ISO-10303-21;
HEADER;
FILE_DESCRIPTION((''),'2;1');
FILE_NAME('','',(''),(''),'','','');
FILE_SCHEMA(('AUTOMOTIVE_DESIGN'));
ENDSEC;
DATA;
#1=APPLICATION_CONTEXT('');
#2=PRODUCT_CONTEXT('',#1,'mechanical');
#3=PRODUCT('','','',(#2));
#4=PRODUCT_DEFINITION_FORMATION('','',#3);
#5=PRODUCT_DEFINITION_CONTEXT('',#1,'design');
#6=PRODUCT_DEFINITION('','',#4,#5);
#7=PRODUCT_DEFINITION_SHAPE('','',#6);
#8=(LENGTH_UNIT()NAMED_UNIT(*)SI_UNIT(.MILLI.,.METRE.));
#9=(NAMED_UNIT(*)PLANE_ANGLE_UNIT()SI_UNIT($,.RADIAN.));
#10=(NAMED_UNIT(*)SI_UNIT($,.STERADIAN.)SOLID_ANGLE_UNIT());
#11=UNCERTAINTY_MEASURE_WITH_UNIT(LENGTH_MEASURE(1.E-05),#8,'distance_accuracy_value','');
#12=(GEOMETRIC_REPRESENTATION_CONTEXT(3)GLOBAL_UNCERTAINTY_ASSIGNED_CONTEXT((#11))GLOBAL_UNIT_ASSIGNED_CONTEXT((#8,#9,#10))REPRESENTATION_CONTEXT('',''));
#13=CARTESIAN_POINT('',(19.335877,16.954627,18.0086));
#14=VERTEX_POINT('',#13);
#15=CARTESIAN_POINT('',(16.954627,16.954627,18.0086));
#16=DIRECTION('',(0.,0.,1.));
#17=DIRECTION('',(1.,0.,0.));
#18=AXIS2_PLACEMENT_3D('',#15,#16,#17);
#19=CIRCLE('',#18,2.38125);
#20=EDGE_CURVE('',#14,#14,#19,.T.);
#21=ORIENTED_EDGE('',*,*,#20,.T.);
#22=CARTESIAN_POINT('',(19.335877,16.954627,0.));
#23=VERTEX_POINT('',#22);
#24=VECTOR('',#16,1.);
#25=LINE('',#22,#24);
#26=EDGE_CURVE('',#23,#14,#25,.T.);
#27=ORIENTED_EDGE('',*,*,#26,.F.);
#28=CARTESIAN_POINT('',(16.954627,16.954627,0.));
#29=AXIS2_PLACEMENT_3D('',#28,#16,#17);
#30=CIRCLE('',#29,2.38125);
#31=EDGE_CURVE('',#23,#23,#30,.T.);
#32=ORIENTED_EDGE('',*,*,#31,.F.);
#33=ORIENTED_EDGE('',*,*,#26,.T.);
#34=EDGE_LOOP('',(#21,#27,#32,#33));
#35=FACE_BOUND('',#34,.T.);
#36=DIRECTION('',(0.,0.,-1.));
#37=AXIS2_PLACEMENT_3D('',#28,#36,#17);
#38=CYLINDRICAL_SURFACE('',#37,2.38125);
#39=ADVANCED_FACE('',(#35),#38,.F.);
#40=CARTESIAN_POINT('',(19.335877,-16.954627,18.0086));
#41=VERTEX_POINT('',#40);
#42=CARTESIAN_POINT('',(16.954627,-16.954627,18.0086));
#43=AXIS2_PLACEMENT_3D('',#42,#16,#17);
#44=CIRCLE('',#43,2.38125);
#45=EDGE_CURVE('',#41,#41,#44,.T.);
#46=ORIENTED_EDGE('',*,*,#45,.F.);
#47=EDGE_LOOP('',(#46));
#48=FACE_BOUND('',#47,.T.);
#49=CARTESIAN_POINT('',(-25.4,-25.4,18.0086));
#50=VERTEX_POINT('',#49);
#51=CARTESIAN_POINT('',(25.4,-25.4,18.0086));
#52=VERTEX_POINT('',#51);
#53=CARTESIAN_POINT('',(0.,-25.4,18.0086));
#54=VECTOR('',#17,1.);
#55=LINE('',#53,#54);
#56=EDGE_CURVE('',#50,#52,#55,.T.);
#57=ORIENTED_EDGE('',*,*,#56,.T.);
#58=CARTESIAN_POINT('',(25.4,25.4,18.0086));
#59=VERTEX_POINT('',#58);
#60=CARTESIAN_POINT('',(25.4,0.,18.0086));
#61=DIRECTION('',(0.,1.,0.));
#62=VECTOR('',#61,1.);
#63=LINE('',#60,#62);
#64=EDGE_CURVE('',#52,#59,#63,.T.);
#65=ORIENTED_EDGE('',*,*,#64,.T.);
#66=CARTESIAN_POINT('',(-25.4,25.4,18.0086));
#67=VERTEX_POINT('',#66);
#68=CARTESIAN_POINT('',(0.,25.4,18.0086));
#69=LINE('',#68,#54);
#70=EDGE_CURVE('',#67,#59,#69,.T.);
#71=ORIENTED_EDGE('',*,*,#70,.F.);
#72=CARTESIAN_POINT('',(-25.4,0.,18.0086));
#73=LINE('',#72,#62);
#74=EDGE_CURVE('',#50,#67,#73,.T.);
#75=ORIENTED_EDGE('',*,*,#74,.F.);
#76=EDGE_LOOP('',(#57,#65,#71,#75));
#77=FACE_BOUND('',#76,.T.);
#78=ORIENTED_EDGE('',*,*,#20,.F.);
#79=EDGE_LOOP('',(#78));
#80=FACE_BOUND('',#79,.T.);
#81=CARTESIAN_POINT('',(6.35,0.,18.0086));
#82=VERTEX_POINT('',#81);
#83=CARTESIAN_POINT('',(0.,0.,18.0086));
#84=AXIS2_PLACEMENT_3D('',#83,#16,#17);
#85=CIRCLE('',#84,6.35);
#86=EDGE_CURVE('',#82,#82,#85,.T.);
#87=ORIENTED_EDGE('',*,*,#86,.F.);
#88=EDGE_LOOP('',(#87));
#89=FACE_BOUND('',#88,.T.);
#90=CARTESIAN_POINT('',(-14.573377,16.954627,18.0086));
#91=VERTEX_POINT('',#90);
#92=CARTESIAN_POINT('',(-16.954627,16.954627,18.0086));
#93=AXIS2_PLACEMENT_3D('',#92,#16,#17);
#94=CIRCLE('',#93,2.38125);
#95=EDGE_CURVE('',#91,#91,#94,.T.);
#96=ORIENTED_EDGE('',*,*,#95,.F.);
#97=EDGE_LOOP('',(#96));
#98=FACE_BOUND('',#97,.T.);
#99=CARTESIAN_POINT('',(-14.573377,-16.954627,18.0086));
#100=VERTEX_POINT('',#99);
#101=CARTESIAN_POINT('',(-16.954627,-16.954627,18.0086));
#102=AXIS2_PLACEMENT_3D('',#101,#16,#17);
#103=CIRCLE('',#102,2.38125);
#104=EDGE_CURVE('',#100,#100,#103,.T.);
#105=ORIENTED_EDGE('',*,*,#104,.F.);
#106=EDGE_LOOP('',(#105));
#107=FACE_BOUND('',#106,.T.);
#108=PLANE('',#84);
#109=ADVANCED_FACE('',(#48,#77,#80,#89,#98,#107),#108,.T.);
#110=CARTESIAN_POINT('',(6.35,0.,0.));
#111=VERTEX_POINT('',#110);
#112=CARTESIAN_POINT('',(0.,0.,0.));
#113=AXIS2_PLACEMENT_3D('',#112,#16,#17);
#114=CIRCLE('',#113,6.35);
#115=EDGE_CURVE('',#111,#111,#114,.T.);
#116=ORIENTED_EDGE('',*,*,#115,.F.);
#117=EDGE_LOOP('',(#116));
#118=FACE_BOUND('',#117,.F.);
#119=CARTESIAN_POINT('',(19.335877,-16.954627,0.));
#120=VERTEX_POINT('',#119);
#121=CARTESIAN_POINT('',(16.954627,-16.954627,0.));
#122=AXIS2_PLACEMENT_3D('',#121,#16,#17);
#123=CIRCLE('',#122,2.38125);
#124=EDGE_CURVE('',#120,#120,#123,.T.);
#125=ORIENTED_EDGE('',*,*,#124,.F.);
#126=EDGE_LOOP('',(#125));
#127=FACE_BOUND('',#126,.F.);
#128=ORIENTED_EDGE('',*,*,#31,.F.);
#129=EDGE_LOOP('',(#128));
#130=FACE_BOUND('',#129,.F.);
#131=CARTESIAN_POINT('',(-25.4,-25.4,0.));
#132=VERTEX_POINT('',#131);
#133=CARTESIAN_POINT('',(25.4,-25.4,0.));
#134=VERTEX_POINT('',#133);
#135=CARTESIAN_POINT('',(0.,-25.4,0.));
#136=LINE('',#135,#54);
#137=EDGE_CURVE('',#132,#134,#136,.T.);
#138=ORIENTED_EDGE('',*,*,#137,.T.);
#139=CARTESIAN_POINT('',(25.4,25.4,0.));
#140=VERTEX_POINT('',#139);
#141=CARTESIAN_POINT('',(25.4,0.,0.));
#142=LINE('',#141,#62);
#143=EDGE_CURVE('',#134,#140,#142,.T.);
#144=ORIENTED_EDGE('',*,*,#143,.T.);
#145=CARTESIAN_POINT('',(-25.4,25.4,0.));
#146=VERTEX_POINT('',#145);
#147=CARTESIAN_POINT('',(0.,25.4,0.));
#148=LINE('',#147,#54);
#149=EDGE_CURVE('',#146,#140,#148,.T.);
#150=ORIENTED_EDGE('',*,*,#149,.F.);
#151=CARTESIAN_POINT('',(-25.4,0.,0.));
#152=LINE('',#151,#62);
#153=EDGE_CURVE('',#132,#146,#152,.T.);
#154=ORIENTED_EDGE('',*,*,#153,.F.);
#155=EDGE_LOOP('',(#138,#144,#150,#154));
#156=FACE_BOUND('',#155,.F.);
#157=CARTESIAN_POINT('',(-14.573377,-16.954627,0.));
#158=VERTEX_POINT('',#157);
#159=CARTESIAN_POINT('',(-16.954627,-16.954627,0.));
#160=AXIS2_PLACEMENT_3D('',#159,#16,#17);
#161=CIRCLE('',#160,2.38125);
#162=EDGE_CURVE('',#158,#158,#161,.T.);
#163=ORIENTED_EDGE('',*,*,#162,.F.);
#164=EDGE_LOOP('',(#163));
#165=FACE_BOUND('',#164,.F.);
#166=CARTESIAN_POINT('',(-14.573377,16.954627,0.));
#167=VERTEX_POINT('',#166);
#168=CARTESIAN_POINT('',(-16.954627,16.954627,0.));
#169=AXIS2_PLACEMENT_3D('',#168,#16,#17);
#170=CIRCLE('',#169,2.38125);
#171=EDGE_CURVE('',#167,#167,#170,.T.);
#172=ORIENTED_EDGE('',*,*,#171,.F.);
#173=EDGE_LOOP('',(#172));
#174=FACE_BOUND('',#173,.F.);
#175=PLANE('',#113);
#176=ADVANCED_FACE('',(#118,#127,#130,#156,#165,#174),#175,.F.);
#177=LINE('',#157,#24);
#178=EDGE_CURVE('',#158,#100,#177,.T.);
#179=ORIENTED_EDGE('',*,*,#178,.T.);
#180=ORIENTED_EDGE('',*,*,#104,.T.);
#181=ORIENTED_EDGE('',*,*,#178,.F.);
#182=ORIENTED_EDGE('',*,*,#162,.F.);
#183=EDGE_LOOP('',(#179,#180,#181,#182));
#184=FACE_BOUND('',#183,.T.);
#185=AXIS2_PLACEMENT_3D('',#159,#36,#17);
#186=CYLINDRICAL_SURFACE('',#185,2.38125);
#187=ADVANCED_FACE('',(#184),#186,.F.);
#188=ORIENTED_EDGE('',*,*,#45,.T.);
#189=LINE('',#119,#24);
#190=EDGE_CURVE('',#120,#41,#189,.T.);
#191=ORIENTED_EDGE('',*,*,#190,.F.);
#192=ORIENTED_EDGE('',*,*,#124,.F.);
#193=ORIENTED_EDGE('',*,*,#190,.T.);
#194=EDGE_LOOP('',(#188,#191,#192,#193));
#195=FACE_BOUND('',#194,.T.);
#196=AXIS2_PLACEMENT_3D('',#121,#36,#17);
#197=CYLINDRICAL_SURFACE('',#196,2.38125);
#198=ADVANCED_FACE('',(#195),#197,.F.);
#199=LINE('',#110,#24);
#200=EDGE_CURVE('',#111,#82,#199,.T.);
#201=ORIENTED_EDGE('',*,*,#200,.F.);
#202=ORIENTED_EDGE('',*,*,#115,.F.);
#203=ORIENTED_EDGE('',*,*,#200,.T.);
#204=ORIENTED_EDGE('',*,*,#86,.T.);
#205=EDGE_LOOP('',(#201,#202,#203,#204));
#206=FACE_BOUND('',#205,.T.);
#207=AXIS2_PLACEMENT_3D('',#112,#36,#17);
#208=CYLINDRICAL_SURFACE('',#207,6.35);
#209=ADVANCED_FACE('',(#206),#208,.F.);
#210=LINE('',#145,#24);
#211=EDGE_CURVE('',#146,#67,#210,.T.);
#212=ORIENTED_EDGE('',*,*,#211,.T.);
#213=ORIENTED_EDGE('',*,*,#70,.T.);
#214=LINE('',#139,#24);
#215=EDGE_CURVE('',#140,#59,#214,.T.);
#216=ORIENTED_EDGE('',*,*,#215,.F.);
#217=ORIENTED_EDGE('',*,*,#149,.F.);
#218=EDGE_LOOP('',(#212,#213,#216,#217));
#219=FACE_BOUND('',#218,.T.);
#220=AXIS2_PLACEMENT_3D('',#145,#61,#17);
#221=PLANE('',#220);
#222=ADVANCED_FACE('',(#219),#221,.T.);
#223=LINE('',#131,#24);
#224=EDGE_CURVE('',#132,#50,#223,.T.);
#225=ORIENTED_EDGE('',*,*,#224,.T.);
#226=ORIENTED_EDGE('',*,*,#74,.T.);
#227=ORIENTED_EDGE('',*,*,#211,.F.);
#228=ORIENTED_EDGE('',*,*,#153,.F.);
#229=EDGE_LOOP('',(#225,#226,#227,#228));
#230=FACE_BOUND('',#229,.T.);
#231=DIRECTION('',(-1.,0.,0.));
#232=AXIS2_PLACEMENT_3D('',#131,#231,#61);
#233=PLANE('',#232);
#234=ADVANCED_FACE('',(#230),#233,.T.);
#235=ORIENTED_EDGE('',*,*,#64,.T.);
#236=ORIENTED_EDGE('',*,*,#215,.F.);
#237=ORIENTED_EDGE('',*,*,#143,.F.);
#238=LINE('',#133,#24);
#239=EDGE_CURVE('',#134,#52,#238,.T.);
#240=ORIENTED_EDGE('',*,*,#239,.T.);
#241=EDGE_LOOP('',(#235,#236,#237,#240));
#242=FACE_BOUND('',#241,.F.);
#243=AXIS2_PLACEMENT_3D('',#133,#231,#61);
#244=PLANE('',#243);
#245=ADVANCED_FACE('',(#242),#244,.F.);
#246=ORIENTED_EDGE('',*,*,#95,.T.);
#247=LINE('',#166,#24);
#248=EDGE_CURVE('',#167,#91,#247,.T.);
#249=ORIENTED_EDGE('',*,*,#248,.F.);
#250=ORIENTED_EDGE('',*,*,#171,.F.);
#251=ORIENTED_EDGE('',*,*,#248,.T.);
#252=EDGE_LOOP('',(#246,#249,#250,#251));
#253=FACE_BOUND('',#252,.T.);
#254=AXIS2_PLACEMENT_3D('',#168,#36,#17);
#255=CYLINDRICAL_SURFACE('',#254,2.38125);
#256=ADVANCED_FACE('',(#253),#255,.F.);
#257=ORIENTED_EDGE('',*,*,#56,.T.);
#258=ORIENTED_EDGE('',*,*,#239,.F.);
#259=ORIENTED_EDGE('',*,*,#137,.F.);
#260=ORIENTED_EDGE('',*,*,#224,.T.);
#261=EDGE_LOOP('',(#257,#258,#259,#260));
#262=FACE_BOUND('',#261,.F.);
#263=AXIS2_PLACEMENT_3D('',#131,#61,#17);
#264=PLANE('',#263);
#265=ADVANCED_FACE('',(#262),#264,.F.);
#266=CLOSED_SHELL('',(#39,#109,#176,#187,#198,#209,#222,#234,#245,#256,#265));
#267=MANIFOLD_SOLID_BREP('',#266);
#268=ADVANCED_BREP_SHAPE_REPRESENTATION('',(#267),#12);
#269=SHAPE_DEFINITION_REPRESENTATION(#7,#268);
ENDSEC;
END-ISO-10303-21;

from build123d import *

# Parameters (mm, degrees)
F0_W     = 50.8
F0_H     = 50.8
F0_R     = 2.38125
F0_R_2   = 6.35
F1_DEPTH = 18.0086


with BuildPart() as f1:
    # F0 (on Top) → F1 (new body)
    with BuildSketch(Plane.XY):
        Rectangle(F0_W, F0_H)
        with Locations((-16.954627, -16.954627)):
            Circle(F0_R, mode=Mode.SUBTRACT)
        Circle(F0_R_2, mode=Mode.SUBTRACT)
        with Locations((16.954627, -16.954627)):
            Circle(F0_R, mode=Mode.SUBTRACT)
        with Locations((-16.954627, 16.954627)):
            Circle(F0_R, mode=Mode.SUBTRACT)
        with Locations((16.954627, 16.954627)):
            Circle(F0_R, mode=Mode.SUBTRACT)
    extrude(amount=F1_DEPTH)


solid = f1.part
